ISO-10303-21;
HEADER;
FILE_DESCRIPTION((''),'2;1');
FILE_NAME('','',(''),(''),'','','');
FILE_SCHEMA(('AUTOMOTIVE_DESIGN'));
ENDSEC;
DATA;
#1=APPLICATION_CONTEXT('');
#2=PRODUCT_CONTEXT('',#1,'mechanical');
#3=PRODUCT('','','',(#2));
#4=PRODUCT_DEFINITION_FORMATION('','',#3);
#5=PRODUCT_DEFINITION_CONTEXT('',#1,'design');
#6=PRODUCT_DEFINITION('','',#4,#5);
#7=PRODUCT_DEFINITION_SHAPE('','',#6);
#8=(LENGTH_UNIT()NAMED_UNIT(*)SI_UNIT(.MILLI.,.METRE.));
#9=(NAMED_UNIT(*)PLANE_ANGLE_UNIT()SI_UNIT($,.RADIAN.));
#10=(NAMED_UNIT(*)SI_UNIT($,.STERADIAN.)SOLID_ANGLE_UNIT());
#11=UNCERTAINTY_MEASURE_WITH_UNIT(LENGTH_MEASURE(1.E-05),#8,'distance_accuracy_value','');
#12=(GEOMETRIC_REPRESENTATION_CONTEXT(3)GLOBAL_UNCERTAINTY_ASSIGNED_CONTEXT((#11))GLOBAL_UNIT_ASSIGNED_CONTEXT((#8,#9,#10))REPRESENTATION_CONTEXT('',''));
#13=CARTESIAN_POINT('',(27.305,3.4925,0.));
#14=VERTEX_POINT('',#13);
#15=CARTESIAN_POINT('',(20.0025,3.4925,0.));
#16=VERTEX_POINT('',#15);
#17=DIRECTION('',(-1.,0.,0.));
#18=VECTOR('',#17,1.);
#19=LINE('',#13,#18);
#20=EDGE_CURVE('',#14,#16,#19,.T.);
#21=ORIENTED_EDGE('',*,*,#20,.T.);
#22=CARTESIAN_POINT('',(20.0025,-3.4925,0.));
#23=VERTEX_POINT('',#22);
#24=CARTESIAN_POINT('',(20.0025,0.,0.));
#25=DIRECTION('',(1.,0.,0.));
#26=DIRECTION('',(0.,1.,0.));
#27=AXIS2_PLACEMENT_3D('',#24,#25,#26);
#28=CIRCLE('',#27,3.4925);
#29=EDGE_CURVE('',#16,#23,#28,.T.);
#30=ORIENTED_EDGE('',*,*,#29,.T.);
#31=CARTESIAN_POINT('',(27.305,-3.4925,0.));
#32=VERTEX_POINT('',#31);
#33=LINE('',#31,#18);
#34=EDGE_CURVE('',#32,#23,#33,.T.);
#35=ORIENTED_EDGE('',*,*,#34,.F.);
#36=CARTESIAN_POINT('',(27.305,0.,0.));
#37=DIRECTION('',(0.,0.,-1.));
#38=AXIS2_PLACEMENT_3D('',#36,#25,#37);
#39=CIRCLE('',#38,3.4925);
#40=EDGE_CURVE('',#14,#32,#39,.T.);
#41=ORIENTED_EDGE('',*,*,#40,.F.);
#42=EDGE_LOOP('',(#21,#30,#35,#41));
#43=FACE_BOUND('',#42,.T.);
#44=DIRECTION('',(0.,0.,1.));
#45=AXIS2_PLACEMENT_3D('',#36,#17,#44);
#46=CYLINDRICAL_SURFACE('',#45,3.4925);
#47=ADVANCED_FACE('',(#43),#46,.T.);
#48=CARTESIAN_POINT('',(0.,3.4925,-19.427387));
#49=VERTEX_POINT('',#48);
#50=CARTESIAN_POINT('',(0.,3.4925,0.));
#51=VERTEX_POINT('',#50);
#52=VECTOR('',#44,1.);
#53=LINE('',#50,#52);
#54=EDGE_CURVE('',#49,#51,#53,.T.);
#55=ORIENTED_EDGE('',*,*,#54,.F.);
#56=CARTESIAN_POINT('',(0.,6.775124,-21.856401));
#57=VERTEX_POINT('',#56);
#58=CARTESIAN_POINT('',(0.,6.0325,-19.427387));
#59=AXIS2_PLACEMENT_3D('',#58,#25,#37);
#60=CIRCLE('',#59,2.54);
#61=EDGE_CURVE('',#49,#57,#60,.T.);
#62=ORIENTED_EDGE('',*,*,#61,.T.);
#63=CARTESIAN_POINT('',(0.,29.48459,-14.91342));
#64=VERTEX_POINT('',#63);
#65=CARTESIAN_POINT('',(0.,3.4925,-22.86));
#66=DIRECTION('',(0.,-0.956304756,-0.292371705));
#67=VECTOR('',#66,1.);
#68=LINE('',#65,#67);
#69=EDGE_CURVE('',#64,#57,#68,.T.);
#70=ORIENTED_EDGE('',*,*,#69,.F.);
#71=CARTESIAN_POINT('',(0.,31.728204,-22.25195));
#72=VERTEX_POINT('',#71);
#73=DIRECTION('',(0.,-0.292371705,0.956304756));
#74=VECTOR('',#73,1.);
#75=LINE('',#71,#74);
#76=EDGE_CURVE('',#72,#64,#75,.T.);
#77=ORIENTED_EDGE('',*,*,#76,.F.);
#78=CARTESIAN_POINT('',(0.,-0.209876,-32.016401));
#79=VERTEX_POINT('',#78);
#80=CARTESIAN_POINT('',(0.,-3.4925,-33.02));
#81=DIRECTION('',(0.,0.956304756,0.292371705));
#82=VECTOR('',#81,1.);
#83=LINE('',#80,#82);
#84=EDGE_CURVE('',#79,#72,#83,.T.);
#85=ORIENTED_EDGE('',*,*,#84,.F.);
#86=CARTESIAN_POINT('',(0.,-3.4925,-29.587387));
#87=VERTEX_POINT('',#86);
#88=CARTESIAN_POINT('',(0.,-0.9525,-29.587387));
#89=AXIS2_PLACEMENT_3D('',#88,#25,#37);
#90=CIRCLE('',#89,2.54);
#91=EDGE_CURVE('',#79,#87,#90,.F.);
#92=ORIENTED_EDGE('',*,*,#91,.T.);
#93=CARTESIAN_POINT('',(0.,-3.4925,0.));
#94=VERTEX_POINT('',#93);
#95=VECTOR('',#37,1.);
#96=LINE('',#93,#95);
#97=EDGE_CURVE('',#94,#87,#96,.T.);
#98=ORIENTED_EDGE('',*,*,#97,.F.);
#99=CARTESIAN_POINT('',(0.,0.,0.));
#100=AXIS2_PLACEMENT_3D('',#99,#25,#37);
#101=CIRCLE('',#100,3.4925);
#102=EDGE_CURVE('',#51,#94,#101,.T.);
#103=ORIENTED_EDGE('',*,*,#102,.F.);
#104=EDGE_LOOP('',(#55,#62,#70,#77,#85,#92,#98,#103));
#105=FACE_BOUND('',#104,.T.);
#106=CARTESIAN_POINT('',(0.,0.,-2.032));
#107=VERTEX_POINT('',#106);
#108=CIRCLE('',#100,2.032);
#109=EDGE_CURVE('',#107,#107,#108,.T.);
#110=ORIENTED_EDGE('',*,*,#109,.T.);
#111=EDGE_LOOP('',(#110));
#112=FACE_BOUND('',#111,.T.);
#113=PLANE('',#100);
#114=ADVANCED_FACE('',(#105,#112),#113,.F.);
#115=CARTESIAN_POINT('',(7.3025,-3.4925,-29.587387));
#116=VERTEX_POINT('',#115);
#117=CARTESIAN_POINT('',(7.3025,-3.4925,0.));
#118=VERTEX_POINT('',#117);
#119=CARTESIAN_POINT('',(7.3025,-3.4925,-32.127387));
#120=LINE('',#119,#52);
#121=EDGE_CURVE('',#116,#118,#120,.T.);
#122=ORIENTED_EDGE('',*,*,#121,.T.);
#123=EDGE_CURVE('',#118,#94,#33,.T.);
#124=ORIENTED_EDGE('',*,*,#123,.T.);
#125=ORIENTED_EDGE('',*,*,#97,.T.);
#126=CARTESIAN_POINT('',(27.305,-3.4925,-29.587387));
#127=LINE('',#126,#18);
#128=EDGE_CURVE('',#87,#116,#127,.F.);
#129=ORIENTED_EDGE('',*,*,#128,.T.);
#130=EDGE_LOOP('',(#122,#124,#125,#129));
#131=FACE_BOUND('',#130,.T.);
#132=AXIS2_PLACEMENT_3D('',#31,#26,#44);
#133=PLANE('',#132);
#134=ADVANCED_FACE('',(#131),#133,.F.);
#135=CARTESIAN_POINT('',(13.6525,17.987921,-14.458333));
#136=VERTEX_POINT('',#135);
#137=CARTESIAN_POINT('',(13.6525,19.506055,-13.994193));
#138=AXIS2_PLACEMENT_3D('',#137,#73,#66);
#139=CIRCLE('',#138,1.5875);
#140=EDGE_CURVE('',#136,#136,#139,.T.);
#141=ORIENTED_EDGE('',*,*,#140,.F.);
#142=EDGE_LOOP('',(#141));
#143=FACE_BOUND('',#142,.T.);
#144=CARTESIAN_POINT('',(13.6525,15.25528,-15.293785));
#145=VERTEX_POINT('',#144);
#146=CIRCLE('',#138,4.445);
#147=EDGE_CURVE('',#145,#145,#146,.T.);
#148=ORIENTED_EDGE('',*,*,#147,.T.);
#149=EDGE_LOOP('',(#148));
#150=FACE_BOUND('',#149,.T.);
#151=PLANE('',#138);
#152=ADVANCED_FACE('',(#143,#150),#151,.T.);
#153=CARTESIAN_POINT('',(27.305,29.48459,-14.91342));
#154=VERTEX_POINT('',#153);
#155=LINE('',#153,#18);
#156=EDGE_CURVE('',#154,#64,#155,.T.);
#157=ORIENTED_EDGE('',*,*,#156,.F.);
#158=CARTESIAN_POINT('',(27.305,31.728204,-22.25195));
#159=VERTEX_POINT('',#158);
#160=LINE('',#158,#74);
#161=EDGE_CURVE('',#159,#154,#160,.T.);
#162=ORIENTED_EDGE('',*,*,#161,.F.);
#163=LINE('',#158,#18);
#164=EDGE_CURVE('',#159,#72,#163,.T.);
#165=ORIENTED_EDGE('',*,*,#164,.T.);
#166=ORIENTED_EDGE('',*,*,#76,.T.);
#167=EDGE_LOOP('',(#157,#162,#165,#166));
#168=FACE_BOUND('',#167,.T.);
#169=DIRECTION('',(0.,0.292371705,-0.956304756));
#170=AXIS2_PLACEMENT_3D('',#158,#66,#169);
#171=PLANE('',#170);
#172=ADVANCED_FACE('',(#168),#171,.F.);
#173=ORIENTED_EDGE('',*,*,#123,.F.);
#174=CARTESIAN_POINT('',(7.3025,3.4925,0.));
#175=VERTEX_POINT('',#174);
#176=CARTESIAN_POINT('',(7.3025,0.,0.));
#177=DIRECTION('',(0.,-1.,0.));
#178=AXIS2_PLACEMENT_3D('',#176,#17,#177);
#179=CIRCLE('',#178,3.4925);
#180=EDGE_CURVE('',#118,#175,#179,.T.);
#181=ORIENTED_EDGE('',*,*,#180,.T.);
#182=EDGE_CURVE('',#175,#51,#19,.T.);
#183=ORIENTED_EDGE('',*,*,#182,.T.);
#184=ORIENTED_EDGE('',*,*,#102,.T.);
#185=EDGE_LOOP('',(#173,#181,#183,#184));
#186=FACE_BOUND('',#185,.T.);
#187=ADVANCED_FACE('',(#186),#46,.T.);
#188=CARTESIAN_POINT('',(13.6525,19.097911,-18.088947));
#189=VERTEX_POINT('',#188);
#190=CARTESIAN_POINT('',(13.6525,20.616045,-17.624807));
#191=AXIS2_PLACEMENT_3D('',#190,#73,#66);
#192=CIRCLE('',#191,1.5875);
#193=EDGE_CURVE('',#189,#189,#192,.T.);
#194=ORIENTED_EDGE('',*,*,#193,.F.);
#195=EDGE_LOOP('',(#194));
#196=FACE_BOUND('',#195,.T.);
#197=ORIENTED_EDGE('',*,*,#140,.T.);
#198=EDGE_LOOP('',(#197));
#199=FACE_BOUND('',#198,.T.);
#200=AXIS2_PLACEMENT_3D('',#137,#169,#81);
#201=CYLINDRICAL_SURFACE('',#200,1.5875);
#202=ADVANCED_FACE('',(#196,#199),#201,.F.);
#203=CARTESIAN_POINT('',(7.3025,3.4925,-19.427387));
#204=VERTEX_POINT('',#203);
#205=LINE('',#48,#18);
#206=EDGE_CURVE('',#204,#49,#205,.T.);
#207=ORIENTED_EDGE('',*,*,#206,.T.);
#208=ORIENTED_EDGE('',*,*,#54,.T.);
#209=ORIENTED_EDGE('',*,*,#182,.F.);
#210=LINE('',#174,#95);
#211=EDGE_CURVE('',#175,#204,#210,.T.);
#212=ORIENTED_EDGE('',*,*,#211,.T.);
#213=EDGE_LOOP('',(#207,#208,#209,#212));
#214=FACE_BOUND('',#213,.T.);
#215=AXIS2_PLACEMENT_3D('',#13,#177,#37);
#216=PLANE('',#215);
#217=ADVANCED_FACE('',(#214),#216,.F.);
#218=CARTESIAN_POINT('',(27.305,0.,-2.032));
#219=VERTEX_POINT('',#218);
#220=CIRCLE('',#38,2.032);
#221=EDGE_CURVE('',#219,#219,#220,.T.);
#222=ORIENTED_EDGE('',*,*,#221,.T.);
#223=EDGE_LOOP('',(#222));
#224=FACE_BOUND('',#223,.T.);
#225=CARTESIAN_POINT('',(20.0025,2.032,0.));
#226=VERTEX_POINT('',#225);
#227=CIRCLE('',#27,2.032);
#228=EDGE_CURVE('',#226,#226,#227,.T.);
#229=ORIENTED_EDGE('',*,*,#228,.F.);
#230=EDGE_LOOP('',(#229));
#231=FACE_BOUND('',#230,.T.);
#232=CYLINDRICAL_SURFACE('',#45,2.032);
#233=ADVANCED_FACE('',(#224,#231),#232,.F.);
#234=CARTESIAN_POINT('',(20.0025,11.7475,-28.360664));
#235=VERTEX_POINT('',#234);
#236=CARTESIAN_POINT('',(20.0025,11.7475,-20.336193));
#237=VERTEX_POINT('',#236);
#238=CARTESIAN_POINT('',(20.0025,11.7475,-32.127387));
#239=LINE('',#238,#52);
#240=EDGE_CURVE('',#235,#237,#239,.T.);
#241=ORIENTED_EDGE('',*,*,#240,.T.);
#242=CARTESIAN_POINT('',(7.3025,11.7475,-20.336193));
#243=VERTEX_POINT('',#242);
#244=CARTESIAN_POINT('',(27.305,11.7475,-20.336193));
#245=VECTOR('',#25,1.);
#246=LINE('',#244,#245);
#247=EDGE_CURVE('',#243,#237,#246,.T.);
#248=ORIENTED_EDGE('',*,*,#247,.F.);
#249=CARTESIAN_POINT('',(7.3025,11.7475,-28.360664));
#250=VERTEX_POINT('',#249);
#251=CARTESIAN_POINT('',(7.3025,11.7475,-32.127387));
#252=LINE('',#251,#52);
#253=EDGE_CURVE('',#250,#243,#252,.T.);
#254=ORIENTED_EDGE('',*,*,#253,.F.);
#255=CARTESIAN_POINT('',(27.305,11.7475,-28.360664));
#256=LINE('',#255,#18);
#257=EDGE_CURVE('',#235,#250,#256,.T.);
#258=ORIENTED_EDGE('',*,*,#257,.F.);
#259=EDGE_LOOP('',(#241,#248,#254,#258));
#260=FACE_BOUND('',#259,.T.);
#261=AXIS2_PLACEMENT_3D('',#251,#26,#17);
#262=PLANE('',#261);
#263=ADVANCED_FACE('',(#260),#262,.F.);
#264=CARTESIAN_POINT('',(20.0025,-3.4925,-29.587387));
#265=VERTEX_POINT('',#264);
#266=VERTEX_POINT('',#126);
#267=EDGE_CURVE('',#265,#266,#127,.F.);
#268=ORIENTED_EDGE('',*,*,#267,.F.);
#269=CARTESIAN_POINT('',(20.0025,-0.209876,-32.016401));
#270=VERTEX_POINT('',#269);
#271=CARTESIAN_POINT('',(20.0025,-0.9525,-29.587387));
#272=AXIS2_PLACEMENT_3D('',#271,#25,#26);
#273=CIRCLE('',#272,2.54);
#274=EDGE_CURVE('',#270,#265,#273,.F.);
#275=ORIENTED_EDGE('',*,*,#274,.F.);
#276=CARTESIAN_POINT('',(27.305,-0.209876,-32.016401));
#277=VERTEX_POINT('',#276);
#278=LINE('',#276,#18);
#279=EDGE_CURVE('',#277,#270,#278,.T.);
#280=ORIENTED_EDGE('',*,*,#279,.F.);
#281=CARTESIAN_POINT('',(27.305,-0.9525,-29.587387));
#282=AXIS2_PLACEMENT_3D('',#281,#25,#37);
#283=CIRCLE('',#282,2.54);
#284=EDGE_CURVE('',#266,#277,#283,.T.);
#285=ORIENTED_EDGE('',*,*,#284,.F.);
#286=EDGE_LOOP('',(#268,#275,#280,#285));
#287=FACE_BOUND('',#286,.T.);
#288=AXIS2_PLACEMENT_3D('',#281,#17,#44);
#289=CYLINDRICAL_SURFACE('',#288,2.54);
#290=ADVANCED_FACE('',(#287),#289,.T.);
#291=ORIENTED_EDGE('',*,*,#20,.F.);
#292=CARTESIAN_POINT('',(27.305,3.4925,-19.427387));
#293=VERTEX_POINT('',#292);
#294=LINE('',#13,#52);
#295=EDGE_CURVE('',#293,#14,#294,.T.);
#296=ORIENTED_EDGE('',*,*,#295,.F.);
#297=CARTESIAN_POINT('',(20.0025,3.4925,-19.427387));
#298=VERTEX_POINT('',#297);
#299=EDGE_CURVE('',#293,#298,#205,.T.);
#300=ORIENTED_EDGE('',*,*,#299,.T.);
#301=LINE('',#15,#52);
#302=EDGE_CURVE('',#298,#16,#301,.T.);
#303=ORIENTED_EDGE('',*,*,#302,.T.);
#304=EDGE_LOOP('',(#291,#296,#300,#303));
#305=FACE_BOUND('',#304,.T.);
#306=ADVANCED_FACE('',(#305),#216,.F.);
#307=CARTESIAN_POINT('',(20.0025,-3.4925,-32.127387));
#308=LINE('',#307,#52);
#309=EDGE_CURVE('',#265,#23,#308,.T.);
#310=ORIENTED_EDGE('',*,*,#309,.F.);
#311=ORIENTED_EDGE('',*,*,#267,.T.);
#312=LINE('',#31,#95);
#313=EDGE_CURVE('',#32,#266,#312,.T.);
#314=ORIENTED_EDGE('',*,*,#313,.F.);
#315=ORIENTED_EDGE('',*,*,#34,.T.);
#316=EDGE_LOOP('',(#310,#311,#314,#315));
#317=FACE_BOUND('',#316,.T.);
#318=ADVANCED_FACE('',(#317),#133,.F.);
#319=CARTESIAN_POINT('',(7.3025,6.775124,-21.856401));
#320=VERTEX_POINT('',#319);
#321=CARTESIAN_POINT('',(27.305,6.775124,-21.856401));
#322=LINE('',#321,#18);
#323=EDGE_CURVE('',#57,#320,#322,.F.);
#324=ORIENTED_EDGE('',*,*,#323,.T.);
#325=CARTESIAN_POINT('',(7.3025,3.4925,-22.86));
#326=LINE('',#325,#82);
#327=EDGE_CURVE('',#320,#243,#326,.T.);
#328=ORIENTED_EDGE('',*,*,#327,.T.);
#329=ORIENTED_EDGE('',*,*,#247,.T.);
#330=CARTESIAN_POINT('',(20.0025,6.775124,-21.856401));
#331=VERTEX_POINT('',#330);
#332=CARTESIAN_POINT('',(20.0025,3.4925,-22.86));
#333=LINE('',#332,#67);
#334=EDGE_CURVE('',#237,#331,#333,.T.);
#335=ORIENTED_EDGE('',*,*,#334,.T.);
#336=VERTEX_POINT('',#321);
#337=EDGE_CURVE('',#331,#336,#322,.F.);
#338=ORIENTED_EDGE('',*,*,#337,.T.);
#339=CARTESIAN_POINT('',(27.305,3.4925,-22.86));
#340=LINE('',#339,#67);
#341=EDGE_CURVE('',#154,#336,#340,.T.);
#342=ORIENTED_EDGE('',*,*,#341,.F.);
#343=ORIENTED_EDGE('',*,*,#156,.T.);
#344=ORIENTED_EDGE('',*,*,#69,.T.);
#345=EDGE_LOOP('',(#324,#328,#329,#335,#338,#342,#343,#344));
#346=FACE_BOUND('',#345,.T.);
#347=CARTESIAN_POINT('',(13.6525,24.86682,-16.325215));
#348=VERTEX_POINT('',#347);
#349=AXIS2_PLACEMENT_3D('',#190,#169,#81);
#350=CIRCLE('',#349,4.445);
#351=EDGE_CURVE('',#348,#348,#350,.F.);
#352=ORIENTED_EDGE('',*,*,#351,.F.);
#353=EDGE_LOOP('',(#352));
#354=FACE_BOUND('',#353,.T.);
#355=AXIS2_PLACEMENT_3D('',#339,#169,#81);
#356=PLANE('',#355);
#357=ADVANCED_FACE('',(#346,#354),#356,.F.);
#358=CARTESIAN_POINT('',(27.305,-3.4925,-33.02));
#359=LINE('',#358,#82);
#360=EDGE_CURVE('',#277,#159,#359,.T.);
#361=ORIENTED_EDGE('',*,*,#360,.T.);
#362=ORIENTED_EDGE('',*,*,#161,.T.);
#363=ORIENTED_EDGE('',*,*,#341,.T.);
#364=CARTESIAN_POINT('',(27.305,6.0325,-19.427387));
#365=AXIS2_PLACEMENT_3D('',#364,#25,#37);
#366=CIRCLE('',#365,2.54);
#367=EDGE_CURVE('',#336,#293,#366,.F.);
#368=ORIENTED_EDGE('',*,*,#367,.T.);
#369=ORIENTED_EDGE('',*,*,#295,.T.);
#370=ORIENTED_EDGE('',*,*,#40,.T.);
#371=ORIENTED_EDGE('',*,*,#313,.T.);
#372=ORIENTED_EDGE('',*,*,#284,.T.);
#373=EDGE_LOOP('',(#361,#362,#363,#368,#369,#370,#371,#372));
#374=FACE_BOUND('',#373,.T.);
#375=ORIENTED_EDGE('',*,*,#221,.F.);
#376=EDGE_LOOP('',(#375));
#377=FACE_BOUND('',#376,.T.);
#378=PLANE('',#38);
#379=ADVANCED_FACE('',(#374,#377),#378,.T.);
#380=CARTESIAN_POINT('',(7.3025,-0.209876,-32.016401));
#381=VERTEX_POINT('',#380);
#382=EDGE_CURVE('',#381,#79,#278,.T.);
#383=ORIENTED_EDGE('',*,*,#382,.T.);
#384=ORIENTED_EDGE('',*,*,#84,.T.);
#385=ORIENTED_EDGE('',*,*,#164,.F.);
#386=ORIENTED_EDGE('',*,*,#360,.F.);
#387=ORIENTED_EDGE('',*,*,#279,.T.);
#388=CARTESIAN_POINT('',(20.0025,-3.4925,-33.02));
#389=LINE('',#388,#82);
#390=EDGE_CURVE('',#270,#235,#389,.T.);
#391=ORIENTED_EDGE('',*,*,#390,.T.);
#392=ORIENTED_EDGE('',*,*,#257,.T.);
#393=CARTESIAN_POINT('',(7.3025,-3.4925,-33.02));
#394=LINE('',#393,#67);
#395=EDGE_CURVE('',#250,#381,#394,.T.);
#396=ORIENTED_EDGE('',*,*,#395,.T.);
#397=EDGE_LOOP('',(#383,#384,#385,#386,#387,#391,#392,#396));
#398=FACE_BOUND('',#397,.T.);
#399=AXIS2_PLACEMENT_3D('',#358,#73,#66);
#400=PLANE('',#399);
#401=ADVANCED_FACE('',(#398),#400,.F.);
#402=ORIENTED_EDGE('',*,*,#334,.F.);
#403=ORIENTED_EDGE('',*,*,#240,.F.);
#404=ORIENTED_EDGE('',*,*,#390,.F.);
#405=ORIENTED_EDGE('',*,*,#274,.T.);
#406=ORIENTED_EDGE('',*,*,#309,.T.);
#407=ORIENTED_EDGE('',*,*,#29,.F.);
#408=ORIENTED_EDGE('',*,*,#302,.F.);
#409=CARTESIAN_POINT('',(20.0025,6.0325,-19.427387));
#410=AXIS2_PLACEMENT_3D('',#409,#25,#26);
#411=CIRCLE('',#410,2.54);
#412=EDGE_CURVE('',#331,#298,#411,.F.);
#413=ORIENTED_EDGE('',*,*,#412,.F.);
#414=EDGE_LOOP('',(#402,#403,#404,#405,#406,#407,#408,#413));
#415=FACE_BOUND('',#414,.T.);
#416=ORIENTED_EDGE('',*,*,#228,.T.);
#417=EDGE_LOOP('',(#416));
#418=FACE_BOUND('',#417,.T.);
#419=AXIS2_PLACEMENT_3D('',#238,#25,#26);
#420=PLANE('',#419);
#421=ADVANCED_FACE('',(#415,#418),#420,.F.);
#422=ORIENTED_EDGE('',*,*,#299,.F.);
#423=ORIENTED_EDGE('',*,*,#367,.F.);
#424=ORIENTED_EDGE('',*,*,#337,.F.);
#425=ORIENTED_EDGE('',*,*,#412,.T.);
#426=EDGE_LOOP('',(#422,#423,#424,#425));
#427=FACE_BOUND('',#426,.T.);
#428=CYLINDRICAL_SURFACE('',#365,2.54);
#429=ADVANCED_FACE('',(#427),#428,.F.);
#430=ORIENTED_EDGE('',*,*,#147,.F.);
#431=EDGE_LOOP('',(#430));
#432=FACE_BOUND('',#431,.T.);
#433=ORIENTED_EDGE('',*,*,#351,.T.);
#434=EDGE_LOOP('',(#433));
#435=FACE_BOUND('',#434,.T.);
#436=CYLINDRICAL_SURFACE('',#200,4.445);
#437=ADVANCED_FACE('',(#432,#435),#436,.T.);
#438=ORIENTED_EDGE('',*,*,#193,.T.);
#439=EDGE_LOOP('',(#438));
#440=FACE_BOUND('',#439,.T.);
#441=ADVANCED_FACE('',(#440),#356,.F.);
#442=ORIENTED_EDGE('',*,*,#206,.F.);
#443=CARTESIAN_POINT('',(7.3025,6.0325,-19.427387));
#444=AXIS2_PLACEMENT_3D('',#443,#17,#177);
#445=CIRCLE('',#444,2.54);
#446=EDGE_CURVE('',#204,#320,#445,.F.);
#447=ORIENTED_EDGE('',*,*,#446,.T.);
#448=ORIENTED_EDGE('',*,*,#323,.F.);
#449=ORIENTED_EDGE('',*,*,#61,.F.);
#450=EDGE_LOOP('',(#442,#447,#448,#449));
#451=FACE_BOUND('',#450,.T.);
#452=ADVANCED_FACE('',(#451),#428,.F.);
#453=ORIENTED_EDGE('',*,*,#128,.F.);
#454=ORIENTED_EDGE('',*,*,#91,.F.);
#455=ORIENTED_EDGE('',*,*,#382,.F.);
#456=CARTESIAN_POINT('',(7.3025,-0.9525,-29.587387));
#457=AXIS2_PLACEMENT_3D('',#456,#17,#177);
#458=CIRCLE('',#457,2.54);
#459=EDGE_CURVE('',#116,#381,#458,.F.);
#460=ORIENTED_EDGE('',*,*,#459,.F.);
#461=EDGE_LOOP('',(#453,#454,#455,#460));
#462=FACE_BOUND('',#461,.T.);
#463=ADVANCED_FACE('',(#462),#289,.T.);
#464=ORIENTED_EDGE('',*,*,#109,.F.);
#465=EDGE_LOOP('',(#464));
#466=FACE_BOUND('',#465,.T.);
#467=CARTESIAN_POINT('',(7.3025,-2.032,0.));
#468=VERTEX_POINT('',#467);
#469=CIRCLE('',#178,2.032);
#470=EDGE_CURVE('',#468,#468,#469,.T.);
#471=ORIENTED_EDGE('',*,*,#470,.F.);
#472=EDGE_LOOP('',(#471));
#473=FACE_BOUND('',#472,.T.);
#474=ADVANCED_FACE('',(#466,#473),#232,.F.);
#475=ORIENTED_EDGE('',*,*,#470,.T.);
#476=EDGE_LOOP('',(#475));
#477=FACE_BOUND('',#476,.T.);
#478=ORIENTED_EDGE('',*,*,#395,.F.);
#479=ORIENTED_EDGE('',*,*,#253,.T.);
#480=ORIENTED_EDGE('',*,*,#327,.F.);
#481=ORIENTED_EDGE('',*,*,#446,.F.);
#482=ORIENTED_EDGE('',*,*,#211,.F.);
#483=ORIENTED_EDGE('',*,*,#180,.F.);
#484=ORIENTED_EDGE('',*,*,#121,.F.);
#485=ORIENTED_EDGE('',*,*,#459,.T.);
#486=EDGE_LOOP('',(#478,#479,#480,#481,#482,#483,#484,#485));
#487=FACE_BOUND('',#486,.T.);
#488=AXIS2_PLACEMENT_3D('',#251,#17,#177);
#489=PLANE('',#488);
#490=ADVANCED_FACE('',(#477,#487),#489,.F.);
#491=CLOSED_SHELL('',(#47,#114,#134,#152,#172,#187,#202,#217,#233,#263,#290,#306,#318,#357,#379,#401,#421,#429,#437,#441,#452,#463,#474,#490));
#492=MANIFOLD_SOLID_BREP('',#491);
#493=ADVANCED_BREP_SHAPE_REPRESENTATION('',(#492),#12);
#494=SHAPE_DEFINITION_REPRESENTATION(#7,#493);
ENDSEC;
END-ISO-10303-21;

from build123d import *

# Parameters (mm, degrees)
SKETCH1_R               = 2.032
BOSS_EXTRUDE1_DEPTH     = 27.305
FILLET1_R               = 2.54
SKETCH2_W               = 12.7
SKETCH2_H               = 15.24
CUT_EXTRUDE1_DEPTH      = 4.4925
CUT_EXTRUDE1_DEPTH_BACK = 33.127387008
SKETCH3_R               = 4.445
SKETCH3_R_2             = 1.5875
BOSS_EXTRUDE2_DEPTH     = 3.796503


with BuildPart() as part:
    # Sketch1 → Boss-Extrude1 (new body)
    with BuildSketch(Plane(origin=(0, 0, 0), x_dir=(0, 0, -1), z_dir=(1, 0, 0))):
        with BuildLine():
            Line((0, 3.4925), (22.86, 3.4925))
            Line((22.86, 3.4925), (14.913420462, 29.48459049))
            Line((14.913420462, 29.48459049), (22.251950115, 31.728204162))
            Line((22.251950115, 31.728204162), (33.02, -3.4925))
            Line((33.02, -3.4925), (0, -3.4925))
            ThreePointArc((0, -3.4925), (-3.4925, 0), (0, 3.4925))
        make_face()
        Circle(SKETCH1_R, mode=Mode.SUBTRACT)
    extrude(amount=BOSS_EXTRUDE1_DEPTH)

    # Fillet1
    fillet1_edges = [part.edges().sort_by_distance(p)[0] for p in [
        (13.6525, 3.4925, -22.86),
        (13.6525, -3.4925, -33.02),
    ]]
    fillet(fillet1_edges, radius=FILLET1_R)

    # Sketch2 → Cut-Extrude1 (cut, two sides)
    with BuildSketch(Plane.XY) as cut_extrude1_sk:
        with Locations((13.6525, 4.1275)):
            Rectangle(SKETCH2_W, SKETCH2_H)
    extrude(amount=CUT_EXTRUDE1_DEPTH, mode=Mode.SUBTRACT)
    extrude(cut_extrude1_sk.sketch, amount=-CUT_EXTRUDE1_DEPTH_BACK, mode=Mode.SUBTRACT)

    # Sketch3 → Boss-Extrude2 (add)
    with BuildSketch(Plane(origin=(0, 6.690118026, -21.882390062), x_dir=(1, 0, 0), z_dir=(0, -0.292371705, 0.956304756))):
        with Locations((13.6525, 14.562227295)):
            Circle(SKETCH3_R)
        with Locations((13.6525, 14.562227295)):
            Circle(SKETCH3_R_2, mode=Mode.SUBTRACT)
    extrude(amount=BOSS_EXTRUDE2_DEPTH)


solid = part.part
